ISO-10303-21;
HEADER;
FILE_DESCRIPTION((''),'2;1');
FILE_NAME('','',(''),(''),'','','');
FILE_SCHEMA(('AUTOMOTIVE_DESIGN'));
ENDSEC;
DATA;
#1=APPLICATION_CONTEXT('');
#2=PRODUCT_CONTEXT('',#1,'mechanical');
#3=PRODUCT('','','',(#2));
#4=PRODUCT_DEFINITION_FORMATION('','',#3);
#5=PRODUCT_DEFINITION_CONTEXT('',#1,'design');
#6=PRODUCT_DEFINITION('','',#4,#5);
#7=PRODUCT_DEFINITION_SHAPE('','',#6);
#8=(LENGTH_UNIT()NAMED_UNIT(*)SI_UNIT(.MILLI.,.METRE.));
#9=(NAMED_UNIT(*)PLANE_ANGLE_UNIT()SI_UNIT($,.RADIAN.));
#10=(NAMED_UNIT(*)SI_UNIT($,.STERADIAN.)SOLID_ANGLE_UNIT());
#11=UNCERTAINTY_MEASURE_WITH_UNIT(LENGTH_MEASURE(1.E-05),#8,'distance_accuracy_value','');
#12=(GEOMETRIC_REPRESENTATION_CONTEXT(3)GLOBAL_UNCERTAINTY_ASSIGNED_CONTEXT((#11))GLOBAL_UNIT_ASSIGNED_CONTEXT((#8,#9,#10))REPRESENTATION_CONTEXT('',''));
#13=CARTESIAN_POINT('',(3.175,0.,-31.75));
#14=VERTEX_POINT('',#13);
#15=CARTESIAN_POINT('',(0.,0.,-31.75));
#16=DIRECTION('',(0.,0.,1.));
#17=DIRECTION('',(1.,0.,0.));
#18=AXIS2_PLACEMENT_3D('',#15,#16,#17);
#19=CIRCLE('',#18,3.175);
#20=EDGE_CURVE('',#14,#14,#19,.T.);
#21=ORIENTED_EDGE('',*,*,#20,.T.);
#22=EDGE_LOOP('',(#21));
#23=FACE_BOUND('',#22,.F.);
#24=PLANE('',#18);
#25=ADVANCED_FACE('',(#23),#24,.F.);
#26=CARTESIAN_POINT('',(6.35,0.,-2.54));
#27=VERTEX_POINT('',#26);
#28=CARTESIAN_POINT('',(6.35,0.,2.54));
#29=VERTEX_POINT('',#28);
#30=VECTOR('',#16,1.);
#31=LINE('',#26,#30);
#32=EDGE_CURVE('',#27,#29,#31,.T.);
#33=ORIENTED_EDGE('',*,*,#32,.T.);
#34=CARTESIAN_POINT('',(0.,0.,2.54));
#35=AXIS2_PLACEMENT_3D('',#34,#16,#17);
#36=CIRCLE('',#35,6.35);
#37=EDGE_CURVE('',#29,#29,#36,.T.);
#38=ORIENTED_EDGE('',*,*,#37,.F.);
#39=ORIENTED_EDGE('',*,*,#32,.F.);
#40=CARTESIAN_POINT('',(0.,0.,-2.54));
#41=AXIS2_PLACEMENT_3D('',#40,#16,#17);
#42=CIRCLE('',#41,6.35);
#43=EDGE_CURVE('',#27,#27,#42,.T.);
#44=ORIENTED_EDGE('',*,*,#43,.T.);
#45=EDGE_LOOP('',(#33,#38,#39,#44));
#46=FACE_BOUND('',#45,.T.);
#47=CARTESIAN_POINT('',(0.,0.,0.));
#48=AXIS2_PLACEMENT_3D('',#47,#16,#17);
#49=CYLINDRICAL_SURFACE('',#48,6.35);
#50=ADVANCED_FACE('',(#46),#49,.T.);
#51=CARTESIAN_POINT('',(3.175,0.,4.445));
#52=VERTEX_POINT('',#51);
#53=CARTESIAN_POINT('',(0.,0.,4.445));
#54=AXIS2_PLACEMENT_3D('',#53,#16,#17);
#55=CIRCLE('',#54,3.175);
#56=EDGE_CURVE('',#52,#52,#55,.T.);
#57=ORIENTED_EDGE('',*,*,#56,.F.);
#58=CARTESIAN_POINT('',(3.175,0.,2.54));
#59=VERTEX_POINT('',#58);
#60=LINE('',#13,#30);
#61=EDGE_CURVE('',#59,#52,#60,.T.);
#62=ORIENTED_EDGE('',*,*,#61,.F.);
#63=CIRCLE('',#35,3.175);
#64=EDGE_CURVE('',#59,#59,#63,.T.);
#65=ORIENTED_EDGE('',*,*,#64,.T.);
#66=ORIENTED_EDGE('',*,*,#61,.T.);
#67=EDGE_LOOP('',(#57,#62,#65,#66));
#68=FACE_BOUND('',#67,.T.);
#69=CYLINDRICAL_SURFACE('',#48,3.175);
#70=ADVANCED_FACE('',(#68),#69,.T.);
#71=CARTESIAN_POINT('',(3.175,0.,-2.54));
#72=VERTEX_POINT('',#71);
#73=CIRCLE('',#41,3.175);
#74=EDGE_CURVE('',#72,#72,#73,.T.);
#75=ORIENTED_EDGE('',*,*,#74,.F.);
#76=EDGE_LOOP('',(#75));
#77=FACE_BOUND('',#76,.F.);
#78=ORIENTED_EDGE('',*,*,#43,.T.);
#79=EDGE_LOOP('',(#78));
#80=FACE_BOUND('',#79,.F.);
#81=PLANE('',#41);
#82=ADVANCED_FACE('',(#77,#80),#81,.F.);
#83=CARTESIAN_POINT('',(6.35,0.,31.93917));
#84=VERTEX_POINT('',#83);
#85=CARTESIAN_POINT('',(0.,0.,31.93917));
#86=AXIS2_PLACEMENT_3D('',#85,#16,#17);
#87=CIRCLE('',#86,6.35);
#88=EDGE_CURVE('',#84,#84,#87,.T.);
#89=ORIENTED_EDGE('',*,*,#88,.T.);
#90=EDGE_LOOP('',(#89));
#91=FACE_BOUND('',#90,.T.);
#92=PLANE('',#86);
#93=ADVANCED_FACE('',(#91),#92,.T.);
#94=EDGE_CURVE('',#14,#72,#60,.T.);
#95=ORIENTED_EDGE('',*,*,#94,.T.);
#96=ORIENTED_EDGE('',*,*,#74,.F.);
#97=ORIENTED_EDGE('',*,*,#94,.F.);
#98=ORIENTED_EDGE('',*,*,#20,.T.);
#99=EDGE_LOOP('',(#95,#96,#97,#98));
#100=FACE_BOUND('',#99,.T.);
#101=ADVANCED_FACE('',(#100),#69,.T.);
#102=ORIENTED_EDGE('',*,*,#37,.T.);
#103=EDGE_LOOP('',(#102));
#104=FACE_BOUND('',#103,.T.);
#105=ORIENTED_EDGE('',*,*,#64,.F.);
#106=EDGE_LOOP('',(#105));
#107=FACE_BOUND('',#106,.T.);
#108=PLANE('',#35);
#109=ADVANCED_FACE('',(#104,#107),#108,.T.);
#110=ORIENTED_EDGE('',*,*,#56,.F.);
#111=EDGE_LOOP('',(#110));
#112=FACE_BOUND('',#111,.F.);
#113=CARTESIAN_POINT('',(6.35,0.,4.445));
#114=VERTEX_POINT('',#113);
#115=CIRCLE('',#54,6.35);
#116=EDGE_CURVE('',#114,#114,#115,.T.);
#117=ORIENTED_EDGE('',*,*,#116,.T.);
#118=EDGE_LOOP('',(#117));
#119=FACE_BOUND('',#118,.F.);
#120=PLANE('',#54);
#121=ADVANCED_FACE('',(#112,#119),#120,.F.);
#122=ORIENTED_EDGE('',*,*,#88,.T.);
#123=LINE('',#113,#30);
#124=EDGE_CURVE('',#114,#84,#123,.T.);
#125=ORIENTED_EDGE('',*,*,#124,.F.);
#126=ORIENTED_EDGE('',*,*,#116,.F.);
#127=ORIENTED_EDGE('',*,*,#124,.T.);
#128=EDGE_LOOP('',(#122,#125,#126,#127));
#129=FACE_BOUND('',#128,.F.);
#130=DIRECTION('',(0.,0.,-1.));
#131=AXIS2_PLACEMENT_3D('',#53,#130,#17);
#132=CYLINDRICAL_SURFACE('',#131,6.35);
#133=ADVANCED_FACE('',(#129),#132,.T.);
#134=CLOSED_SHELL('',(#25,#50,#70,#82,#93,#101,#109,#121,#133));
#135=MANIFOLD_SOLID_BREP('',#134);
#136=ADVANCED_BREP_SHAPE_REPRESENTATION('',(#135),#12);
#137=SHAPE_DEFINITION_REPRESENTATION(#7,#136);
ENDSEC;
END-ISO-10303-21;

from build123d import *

# Parameters (mm, degrees)
F0_R     = 3.175
F2_DEPTH = 31.75
F1_R     = 6.35
F3_DEPTH = 2.54
F5_R     = 6.35
F6_DEPTH = 27.49417


with BuildPart() as f2:
    # F0 (on Top) → F2 (new body, symmetric)
    with BuildSketch(Plane.XY):
        Circle(F0_R)
    extrude(amount=F2_DEPTH, both=True)

    # F1 (on Top) → F3 (join, symmetric)
    with BuildSketch(Plane.XY):
        Circle(F1_R)
    extrude(amount=F3_DEPTH, both=True)

    # F5 (on offset) → F6 (join)
    with BuildSketch(Plane.XY.offset(4.445)):
        Circle(F5_R)
    extrude(amount=F6_DEPTH)


solid = f2.part
